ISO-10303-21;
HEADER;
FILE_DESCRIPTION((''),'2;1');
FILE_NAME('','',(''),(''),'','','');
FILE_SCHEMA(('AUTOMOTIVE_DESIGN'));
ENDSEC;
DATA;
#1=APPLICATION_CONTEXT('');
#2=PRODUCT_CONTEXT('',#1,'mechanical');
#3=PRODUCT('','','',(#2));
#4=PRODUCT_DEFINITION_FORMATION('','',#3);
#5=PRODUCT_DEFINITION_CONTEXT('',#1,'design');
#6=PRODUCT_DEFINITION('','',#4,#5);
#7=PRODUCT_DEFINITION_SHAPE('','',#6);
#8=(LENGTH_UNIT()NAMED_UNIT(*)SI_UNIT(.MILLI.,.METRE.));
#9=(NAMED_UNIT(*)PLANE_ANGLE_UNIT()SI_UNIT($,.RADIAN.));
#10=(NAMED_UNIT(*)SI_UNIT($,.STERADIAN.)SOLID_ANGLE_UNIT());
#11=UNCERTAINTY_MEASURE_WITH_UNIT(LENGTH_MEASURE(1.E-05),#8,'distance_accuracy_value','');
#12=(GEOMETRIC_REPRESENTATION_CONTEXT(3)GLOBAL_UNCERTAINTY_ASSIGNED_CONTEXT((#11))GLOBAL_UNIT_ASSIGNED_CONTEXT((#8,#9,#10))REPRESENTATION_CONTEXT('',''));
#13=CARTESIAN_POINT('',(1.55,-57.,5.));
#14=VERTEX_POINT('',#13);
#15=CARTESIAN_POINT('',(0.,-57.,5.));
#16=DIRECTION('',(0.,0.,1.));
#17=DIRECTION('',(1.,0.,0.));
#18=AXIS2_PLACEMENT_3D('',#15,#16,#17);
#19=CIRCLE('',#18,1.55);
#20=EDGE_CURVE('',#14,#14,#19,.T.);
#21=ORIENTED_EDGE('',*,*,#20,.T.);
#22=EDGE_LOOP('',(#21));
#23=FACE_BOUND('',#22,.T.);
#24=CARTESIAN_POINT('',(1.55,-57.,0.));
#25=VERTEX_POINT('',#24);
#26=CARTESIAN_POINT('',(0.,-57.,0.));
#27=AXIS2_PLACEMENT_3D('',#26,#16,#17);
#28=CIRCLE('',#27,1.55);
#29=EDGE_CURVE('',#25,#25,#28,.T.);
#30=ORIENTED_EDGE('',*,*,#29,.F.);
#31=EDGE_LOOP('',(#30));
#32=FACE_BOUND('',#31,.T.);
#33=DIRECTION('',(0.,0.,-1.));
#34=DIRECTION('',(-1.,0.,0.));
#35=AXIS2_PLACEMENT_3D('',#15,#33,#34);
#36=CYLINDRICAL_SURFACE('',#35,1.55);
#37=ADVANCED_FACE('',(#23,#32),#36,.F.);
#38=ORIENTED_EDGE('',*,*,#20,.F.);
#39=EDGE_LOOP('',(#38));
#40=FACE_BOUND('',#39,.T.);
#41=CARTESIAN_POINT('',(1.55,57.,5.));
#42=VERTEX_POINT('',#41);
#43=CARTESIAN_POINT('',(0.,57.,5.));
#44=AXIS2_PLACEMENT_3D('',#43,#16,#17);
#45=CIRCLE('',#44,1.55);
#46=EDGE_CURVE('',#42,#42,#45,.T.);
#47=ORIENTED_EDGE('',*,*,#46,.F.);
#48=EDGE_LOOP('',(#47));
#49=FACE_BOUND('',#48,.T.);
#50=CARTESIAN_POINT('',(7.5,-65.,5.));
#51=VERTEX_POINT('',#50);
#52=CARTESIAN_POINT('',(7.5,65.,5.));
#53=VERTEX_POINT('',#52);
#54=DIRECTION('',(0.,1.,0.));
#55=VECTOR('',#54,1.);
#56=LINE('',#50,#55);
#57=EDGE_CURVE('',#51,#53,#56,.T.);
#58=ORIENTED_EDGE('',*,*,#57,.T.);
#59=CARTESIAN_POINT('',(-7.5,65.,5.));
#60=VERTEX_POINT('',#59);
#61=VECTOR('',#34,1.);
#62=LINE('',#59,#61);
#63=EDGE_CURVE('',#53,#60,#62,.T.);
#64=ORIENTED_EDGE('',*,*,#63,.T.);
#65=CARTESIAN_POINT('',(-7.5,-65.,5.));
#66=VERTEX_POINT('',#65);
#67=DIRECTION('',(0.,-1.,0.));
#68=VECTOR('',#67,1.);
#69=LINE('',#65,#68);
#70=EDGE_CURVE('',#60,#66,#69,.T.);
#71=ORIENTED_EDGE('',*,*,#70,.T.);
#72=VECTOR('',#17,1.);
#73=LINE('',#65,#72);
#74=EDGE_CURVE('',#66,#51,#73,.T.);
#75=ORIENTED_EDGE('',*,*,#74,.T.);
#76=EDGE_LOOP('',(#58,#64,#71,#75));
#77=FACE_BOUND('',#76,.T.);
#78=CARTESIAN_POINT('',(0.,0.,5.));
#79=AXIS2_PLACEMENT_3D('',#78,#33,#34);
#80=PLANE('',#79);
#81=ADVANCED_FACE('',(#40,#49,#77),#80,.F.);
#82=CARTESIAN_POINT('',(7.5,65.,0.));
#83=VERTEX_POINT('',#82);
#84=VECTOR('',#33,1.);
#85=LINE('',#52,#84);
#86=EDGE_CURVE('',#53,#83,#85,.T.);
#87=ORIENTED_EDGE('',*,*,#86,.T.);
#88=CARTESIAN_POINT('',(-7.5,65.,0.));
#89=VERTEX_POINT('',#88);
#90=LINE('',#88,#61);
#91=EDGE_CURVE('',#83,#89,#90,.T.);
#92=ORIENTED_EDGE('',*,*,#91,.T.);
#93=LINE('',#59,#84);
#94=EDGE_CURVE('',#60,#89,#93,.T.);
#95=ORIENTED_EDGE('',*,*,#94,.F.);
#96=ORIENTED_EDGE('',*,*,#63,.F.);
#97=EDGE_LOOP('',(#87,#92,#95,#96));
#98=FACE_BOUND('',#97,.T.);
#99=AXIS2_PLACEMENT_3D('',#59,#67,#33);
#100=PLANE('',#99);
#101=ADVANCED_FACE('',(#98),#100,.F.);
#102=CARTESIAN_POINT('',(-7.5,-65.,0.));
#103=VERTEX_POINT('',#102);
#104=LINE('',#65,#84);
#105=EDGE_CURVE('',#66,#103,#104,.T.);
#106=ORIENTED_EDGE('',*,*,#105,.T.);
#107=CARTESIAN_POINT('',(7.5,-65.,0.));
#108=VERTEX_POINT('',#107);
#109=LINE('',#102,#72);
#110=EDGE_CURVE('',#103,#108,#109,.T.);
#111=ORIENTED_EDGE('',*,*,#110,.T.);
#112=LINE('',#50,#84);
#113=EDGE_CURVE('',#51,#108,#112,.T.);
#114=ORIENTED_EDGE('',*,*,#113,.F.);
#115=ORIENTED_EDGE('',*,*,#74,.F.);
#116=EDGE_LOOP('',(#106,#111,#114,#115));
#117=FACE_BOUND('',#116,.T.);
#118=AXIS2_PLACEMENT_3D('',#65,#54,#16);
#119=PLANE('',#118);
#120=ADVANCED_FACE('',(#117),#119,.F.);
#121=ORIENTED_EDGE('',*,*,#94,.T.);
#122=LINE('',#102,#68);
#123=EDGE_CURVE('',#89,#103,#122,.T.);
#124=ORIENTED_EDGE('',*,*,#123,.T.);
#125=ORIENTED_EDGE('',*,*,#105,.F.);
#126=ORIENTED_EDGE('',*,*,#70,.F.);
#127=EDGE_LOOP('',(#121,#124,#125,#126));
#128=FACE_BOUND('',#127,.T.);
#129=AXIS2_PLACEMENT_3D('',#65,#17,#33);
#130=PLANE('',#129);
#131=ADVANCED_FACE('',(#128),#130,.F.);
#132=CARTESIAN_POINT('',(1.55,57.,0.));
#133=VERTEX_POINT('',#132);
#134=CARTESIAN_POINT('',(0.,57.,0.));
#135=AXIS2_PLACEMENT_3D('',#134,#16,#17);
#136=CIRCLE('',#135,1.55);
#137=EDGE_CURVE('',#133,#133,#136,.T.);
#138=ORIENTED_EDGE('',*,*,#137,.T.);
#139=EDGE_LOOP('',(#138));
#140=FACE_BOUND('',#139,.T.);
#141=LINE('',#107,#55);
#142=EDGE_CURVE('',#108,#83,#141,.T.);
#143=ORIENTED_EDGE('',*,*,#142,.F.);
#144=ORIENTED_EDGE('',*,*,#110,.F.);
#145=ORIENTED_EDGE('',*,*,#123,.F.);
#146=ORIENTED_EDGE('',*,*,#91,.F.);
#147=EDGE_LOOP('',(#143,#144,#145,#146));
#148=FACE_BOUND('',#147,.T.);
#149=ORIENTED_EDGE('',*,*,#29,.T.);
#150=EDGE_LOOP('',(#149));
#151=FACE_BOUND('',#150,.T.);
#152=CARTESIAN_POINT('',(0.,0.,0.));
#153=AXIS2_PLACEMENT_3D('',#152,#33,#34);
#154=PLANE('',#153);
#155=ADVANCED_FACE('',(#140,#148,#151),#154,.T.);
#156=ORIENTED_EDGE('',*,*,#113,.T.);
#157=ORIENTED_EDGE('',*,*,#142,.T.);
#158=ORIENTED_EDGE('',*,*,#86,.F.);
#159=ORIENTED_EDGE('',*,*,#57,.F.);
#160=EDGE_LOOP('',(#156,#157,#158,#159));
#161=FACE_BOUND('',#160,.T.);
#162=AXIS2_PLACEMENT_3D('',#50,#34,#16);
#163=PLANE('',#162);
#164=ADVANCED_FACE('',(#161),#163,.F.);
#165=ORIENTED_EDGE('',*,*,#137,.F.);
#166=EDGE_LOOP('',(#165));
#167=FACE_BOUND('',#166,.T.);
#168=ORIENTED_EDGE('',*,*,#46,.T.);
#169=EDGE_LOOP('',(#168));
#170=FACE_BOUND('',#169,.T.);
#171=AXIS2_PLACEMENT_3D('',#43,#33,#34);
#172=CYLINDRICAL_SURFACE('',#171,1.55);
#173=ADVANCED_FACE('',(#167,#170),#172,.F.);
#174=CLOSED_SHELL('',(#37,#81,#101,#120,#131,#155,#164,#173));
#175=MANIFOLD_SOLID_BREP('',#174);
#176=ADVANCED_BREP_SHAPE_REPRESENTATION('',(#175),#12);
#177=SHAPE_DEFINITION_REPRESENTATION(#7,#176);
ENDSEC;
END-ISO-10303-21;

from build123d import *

# Parameters (mm, degrees)
SKETCH1_W           = 15
SKETCH1_H           = 130
SKETCH1_R           = 1.55
BOSS_EXTRUDE1_DEPTH = 5


with BuildPart() as part:
    # Sketch1 → Boss-Extrude1 (new body)
    with BuildSketch(Plane.XY):
        Rectangle(SKETCH1_W, SKETCH1_H)
        with Locations((0, 57)):
            Circle(SKETCH1_R, mode=Mode.SUBTRACT)
        with Locations((0, -57)):
            Circle(SKETCH1_R, mode=Mode.SUBTRACT)
    extrude(amount=BOSS_EXTRUDE1_DEPTH)


solid = part.part
